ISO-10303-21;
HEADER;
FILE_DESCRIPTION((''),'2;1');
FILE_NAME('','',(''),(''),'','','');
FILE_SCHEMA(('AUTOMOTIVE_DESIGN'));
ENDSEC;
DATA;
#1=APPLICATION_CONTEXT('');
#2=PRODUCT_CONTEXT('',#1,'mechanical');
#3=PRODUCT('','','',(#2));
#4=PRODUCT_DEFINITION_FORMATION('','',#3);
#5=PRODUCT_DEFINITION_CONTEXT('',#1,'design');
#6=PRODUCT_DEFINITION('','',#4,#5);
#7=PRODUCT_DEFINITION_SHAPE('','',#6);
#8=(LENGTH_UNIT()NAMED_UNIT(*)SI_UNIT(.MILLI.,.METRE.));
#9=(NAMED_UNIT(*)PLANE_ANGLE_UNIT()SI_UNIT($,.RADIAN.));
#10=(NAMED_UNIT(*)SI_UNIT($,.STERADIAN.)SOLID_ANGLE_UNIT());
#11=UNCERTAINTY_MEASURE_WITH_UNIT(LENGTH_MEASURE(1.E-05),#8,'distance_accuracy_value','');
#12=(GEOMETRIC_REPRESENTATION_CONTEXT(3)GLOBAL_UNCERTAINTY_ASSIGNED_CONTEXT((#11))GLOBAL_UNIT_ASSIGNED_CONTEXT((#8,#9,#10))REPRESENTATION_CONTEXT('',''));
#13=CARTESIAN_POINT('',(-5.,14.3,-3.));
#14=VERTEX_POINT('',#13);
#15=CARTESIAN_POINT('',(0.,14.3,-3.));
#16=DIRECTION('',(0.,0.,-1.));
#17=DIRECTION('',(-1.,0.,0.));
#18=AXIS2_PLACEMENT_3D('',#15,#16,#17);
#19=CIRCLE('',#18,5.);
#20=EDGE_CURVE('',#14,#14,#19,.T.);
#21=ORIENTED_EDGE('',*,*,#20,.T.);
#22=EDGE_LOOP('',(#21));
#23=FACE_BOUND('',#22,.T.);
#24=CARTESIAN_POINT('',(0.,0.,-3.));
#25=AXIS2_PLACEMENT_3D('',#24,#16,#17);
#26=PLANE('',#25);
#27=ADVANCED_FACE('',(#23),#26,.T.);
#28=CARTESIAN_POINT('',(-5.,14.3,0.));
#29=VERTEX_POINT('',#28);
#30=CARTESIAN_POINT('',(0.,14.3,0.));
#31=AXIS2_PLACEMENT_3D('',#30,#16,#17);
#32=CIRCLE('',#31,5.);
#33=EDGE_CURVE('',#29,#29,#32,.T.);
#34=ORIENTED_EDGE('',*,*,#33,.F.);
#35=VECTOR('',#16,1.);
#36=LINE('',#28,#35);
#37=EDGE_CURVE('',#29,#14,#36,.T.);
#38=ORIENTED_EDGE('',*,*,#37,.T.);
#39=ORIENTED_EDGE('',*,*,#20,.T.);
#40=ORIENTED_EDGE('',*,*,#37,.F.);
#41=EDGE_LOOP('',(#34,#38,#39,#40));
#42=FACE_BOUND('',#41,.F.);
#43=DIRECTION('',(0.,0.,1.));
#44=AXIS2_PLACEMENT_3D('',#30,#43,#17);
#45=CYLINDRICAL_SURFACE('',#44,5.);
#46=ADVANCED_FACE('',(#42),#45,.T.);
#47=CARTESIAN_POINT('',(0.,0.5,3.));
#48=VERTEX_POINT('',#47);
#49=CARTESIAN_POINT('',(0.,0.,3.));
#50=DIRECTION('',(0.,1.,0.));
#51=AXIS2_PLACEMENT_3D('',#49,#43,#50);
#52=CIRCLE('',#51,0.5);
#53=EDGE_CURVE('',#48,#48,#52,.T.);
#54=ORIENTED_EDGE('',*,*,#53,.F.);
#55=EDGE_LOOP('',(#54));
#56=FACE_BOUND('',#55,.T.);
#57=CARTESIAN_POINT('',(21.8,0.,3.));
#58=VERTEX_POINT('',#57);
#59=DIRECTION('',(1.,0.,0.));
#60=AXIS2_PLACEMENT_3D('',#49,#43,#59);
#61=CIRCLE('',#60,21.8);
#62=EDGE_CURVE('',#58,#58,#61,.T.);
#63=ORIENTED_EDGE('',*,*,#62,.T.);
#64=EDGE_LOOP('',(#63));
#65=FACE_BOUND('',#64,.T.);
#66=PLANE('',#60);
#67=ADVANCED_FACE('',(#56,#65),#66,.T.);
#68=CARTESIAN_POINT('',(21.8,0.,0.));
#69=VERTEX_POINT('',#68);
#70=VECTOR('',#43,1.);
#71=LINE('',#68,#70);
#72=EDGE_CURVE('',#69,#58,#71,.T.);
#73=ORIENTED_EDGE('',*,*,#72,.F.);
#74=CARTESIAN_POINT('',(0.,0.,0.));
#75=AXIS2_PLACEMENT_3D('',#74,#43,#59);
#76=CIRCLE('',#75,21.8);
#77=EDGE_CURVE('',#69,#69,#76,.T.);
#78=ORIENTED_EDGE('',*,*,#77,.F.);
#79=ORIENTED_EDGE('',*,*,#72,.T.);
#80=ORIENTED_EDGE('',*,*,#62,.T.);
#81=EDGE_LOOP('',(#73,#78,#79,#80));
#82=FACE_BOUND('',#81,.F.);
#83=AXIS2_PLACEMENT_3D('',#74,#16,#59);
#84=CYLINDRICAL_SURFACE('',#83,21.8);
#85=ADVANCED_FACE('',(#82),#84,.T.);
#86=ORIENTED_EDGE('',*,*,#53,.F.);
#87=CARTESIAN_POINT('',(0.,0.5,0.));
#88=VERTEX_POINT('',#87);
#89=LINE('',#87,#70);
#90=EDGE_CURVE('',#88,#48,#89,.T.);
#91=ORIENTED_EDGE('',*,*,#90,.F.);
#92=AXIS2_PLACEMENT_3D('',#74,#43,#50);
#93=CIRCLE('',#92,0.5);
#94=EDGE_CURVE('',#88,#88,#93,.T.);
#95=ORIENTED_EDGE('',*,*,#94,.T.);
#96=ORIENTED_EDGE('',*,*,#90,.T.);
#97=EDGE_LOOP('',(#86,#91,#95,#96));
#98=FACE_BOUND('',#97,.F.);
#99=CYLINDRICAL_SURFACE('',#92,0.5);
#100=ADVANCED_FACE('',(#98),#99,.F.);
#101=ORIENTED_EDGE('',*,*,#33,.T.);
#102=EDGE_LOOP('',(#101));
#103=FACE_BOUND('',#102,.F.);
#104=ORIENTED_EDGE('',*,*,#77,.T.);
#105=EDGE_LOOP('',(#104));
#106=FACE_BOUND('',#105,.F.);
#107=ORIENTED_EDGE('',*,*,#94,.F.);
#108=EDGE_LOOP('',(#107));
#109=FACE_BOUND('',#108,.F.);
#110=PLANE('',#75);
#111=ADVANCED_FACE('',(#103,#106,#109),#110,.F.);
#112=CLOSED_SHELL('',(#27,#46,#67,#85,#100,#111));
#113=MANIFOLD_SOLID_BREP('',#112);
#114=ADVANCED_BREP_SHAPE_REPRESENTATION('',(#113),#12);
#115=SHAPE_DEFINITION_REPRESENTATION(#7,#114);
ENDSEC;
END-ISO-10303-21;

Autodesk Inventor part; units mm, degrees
ref_plane "YZ Plane" through (0, 0, 0) normal (1, 0, 0) x (0, 1, 0)
ref_plane "XZ Plane" through (0, 0, 0) normal (0, 1, 0) x (-1, 0, 0)
ref_plane "XY Plane" through (0, 0, 0) normal (0, 0, 1) x (1, 0, 0)
sketch "Sketch1" plane through (0, 0, 0) normal (0, 0, 1) x (1, 0, 0)
  circle A0 centre (0, 0) radius 21.8
  dimension "d0" = 43.6
extrude "Cuerpo" add sketch "Sketch1" along normal blind 3
sketch "Sketch2" plane through (0, 0, 0) normal (0, 0, -1) x (-1, 0, 0)
  circle A0 centre (0, 14.3) radius 5
  point P0 (0, 0)
  dimension "d4" = 14.3
  dimension "d5" = 10
extrude "Manivela" add sketch "Sketch2" along normal blind 3
sketch "Sketch3" plane through (0, 0, 0) normal (0, 0, -1) x (-1, 0, 0)
  circle A0 centre (0, 0) radius 21.8 projected
hole "Centro" at (0, 0, 0) direction (0, 0, 1) diameter 1 end through all
equation "\"d0\" = ri_diametro"
equation "\"d1\" = ri_grosor"
equation "\"d4\" = ri_eje_separacion"
equation "\"d5\" = ri_eje_diametro"
equation "\"d6\" = ri_eje_grosor"
equation "\"d8\" = ri_ancla_diametro"
equation "\"ri_diametro\" = 43.6"
equation "\"ri_grosor\" = 3"
equation "\"ri_eje_diametro\" = 10"
equation "\"ri_eje_grosor\" = 3"
equation "\"ri_ancla_diametro\" = 1"
equation "\"ri_eje_separacion\" = 14.3"
properties part number "Rueda Interna"
